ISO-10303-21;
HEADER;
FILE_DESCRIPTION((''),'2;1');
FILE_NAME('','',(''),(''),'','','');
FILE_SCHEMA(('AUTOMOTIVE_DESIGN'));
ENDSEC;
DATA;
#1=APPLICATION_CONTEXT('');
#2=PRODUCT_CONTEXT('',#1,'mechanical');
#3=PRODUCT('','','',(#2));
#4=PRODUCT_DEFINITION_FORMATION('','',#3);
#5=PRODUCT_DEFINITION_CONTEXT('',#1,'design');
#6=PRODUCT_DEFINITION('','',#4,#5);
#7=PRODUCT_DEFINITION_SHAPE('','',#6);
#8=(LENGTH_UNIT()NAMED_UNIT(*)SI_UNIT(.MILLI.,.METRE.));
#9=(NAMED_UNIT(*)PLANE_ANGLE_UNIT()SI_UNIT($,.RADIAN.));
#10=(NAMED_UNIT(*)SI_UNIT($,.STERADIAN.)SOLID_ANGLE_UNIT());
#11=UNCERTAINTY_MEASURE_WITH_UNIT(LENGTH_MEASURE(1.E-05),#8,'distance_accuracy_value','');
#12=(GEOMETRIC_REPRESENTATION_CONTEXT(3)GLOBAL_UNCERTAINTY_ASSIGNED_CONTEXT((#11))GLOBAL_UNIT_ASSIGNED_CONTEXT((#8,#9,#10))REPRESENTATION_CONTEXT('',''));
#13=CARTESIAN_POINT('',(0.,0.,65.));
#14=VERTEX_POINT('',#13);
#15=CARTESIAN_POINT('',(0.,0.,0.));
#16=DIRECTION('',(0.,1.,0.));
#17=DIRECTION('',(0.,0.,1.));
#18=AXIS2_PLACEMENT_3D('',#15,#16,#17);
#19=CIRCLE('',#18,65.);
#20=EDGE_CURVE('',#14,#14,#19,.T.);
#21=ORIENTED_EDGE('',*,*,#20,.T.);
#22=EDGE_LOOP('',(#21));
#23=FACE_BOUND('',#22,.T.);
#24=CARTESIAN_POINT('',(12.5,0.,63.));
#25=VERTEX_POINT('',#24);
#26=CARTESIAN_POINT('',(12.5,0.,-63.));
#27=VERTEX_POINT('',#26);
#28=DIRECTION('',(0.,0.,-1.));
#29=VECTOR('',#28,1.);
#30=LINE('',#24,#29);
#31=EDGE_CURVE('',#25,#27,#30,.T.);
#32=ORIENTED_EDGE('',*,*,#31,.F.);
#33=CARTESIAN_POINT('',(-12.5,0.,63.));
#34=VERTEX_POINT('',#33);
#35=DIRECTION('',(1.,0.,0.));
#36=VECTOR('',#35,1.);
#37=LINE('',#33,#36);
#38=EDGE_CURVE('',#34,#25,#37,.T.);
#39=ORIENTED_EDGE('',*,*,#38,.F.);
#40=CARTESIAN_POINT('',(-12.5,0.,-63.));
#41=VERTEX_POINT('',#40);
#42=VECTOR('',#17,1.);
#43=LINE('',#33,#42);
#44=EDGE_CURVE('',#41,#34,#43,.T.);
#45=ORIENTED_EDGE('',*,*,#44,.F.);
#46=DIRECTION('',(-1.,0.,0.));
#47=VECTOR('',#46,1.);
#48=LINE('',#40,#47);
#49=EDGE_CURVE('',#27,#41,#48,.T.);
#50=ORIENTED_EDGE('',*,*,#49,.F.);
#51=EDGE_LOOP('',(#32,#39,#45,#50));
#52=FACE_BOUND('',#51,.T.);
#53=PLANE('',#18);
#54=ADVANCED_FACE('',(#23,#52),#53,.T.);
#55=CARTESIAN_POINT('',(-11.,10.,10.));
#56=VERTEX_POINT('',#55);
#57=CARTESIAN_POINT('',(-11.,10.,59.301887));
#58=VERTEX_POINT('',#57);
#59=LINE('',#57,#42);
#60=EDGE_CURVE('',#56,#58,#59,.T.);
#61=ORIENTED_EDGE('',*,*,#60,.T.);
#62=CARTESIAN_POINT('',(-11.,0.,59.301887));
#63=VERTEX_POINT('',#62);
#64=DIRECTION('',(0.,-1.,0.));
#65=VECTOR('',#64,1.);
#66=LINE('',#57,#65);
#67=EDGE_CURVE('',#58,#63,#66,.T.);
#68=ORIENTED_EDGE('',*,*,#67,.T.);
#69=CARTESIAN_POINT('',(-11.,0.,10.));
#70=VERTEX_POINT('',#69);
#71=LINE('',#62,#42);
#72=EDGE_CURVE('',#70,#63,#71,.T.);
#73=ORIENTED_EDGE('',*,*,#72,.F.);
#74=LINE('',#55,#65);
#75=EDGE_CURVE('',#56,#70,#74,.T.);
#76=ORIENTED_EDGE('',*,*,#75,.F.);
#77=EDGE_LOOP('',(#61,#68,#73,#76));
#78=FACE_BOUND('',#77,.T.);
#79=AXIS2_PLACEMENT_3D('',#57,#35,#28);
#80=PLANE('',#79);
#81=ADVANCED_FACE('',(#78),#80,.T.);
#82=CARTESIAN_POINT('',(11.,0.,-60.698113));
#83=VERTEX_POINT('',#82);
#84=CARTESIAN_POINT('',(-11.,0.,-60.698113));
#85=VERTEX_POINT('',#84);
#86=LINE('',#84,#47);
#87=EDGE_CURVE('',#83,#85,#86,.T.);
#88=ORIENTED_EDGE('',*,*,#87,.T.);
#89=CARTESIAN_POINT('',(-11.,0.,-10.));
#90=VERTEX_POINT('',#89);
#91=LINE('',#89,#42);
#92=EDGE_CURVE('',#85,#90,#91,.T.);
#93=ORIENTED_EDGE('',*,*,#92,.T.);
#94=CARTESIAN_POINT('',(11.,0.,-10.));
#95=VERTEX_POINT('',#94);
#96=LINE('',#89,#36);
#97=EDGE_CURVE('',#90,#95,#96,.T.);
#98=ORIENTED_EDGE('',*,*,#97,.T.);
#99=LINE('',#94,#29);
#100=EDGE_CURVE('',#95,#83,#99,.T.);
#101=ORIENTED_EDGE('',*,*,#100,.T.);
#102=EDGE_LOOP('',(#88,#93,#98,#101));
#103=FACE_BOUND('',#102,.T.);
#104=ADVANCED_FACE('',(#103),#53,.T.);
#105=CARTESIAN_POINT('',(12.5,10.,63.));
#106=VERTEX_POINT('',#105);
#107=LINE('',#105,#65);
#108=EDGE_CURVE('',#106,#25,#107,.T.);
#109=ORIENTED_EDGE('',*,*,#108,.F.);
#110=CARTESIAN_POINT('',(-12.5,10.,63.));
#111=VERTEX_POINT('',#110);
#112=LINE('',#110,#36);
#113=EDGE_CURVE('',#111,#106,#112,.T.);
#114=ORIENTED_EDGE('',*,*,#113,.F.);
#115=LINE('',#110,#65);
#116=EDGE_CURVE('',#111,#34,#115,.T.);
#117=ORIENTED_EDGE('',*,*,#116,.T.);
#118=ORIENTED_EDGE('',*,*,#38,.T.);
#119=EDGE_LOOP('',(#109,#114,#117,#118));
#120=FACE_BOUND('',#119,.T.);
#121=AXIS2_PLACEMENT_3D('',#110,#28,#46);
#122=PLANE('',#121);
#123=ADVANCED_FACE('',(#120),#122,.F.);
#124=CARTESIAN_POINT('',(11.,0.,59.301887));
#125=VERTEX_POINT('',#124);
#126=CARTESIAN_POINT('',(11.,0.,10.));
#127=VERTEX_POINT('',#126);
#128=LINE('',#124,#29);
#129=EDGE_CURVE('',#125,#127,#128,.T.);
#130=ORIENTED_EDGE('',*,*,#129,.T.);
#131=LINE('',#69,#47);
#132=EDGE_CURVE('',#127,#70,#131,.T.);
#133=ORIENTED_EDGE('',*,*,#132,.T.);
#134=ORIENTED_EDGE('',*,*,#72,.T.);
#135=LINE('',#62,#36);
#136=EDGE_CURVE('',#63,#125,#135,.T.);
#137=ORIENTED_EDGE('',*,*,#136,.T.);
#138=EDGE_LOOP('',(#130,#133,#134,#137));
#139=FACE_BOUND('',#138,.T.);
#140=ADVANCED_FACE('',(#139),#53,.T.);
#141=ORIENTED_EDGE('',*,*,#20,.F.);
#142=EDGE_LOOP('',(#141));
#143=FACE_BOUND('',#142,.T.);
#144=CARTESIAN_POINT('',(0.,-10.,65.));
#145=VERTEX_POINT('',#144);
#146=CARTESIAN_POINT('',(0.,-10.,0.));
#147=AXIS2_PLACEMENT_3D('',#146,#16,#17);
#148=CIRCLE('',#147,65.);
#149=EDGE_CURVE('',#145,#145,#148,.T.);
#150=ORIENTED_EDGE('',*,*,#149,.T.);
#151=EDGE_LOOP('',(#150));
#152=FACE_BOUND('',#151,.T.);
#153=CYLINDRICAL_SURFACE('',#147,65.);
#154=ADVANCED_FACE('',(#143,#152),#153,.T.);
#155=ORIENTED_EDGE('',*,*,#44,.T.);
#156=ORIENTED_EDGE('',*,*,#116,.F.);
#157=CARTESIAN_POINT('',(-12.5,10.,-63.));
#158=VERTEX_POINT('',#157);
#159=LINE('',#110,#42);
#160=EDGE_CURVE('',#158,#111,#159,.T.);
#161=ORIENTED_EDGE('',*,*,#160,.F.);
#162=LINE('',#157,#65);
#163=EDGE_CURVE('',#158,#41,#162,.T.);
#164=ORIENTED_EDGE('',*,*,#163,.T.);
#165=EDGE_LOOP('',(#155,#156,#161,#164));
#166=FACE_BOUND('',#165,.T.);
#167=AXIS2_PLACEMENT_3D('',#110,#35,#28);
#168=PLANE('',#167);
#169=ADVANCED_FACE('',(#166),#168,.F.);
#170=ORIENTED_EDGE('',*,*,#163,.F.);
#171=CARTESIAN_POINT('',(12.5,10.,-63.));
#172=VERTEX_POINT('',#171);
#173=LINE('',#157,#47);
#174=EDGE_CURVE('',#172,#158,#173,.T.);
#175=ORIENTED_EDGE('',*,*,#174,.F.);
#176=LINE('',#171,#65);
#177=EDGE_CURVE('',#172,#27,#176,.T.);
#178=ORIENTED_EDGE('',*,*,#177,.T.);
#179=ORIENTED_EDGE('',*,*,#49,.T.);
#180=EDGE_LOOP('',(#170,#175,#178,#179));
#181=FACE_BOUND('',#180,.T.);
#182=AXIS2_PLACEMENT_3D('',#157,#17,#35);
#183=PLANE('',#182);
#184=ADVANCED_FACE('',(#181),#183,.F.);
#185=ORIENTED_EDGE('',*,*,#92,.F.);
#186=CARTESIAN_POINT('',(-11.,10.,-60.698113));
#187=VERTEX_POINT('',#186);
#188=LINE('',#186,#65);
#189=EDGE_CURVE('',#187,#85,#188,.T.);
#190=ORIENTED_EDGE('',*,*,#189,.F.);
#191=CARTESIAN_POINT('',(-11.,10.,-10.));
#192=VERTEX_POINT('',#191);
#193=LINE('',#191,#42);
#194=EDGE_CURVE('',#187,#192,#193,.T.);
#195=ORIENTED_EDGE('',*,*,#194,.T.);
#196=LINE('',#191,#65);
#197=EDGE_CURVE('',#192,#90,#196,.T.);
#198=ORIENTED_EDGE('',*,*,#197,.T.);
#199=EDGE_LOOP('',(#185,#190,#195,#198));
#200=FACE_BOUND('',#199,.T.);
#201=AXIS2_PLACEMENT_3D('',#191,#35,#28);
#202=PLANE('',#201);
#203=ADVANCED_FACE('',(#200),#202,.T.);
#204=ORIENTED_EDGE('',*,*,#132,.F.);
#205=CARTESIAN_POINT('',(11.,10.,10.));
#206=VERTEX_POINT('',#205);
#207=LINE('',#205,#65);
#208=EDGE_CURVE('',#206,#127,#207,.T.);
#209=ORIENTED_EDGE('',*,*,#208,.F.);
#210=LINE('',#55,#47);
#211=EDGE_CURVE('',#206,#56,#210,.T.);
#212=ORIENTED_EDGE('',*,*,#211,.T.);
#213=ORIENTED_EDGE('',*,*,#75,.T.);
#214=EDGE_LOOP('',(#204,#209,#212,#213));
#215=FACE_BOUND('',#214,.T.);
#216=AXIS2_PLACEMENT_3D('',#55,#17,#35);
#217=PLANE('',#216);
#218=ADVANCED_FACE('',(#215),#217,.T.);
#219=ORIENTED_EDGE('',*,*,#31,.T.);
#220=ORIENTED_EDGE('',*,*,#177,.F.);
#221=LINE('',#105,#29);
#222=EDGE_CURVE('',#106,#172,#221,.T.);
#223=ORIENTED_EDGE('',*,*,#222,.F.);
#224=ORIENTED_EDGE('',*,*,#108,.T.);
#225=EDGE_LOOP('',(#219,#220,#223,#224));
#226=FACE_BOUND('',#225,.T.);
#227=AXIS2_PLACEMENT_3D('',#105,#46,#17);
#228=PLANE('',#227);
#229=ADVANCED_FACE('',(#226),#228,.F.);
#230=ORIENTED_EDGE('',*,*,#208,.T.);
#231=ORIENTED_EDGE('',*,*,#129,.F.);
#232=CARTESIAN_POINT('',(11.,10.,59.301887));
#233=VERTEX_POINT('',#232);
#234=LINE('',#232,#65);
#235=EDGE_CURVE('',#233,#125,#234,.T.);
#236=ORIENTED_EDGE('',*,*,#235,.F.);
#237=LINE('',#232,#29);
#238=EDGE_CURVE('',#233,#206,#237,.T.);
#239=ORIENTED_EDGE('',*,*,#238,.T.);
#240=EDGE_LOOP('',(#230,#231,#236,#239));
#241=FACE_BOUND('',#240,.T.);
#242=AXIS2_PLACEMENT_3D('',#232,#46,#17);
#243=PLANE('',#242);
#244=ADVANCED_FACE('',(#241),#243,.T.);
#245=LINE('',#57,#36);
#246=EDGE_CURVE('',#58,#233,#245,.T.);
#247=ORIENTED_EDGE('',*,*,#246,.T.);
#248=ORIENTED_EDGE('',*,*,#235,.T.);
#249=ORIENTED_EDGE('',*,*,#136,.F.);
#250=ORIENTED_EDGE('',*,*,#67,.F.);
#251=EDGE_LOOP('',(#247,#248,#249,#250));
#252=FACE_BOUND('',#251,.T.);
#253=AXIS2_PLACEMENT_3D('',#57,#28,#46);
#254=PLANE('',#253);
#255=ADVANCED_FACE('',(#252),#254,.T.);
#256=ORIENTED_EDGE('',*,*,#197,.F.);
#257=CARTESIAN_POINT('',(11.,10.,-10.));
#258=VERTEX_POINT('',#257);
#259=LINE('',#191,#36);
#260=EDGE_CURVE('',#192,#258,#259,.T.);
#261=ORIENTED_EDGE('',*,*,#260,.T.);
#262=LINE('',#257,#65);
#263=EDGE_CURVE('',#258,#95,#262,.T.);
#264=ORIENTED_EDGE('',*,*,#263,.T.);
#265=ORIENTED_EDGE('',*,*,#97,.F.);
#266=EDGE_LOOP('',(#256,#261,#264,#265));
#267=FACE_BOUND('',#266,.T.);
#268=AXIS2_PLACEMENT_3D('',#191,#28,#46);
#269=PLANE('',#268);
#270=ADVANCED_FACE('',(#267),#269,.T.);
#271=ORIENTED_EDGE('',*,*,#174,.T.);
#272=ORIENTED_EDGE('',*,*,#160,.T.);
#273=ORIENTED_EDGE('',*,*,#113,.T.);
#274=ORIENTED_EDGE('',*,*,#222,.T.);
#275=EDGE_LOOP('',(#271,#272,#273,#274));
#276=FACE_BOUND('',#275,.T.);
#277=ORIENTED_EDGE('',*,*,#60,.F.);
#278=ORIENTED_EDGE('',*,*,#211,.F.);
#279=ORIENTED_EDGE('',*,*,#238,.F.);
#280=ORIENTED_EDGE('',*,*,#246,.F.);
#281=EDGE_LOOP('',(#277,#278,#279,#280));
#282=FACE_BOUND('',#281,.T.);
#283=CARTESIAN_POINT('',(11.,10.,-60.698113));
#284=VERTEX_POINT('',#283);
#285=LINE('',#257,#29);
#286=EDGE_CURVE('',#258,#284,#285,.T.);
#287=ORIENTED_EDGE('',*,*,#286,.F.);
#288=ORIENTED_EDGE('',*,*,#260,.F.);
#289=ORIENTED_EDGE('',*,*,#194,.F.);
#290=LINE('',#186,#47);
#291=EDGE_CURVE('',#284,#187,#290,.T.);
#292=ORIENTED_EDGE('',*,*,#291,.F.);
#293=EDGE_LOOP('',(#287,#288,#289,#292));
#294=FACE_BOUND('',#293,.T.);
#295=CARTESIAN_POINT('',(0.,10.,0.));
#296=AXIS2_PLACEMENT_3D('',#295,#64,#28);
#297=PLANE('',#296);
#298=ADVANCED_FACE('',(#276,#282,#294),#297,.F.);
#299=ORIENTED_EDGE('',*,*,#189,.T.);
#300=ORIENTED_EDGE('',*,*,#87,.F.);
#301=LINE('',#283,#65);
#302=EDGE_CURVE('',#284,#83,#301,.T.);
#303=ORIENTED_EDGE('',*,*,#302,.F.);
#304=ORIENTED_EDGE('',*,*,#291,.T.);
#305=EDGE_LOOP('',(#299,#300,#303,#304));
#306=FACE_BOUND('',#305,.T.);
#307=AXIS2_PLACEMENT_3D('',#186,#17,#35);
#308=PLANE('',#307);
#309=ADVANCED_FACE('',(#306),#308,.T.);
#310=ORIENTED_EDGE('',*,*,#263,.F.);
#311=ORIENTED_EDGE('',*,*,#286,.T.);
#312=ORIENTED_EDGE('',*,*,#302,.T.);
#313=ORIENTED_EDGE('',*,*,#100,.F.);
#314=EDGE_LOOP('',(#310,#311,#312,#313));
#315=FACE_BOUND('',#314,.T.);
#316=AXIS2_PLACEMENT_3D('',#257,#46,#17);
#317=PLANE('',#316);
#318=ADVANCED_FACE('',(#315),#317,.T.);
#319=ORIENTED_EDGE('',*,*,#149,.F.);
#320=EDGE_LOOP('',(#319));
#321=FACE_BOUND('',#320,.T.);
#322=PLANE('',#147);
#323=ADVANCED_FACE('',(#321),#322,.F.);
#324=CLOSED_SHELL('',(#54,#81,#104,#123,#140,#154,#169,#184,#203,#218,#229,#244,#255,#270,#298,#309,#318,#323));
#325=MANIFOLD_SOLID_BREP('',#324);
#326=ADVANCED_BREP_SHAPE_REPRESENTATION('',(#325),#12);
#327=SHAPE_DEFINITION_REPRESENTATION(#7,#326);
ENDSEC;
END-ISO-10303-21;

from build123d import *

# Parameters (mm, degrees)
SKETCH1_W           = 25
SKETCH1_H           = 126
SKETCH1_W_2         = 22
SKETCH1_H_2         = 50.698113208
SKETCH1_H_3         = 49.301886792
BOSS_EXTRUDE1_DEPTH = 10
SKETCH2_R           = 65
BOSS_EXTRUDE2_DEPTH = 10


with BuildPart() as part:
    # Sketch1 → Boss-Extrude1 (new body)
    with BuildSketch(Plane(origin=(0, 0, 0), x_dir=(1, 0, 0), z_dir=(0, 1, 0))):
        Rectangle(SKETCH1_W, SKETCH1_H)
        with Locations((0, 35.349056604)):
            Rectangle(SKETCH1_W_2, SKETCH1_H_2, mode=Mode.SUBTRACT)
        with Locations((0, -34.650943396)):
            Rectangle(SKETCH1_W_2, SKETCH1_H_3, mode=Mode.SUBTRACT)
    extrude(amount=BOSS_EXTRUDE1_DEPTH)

    # Sketch2 → Boss-Extrude2 (add)
    with BuildSketch(Plane(origin=(0, 0, 0), x_dir=(1, 0, 0), z_dir=(0, 1, 0))):
        Circle(SKETCH2_R)
    extrude(amount=-BOSS_EXTRUDE2_DEPTH)


solid = part.part
